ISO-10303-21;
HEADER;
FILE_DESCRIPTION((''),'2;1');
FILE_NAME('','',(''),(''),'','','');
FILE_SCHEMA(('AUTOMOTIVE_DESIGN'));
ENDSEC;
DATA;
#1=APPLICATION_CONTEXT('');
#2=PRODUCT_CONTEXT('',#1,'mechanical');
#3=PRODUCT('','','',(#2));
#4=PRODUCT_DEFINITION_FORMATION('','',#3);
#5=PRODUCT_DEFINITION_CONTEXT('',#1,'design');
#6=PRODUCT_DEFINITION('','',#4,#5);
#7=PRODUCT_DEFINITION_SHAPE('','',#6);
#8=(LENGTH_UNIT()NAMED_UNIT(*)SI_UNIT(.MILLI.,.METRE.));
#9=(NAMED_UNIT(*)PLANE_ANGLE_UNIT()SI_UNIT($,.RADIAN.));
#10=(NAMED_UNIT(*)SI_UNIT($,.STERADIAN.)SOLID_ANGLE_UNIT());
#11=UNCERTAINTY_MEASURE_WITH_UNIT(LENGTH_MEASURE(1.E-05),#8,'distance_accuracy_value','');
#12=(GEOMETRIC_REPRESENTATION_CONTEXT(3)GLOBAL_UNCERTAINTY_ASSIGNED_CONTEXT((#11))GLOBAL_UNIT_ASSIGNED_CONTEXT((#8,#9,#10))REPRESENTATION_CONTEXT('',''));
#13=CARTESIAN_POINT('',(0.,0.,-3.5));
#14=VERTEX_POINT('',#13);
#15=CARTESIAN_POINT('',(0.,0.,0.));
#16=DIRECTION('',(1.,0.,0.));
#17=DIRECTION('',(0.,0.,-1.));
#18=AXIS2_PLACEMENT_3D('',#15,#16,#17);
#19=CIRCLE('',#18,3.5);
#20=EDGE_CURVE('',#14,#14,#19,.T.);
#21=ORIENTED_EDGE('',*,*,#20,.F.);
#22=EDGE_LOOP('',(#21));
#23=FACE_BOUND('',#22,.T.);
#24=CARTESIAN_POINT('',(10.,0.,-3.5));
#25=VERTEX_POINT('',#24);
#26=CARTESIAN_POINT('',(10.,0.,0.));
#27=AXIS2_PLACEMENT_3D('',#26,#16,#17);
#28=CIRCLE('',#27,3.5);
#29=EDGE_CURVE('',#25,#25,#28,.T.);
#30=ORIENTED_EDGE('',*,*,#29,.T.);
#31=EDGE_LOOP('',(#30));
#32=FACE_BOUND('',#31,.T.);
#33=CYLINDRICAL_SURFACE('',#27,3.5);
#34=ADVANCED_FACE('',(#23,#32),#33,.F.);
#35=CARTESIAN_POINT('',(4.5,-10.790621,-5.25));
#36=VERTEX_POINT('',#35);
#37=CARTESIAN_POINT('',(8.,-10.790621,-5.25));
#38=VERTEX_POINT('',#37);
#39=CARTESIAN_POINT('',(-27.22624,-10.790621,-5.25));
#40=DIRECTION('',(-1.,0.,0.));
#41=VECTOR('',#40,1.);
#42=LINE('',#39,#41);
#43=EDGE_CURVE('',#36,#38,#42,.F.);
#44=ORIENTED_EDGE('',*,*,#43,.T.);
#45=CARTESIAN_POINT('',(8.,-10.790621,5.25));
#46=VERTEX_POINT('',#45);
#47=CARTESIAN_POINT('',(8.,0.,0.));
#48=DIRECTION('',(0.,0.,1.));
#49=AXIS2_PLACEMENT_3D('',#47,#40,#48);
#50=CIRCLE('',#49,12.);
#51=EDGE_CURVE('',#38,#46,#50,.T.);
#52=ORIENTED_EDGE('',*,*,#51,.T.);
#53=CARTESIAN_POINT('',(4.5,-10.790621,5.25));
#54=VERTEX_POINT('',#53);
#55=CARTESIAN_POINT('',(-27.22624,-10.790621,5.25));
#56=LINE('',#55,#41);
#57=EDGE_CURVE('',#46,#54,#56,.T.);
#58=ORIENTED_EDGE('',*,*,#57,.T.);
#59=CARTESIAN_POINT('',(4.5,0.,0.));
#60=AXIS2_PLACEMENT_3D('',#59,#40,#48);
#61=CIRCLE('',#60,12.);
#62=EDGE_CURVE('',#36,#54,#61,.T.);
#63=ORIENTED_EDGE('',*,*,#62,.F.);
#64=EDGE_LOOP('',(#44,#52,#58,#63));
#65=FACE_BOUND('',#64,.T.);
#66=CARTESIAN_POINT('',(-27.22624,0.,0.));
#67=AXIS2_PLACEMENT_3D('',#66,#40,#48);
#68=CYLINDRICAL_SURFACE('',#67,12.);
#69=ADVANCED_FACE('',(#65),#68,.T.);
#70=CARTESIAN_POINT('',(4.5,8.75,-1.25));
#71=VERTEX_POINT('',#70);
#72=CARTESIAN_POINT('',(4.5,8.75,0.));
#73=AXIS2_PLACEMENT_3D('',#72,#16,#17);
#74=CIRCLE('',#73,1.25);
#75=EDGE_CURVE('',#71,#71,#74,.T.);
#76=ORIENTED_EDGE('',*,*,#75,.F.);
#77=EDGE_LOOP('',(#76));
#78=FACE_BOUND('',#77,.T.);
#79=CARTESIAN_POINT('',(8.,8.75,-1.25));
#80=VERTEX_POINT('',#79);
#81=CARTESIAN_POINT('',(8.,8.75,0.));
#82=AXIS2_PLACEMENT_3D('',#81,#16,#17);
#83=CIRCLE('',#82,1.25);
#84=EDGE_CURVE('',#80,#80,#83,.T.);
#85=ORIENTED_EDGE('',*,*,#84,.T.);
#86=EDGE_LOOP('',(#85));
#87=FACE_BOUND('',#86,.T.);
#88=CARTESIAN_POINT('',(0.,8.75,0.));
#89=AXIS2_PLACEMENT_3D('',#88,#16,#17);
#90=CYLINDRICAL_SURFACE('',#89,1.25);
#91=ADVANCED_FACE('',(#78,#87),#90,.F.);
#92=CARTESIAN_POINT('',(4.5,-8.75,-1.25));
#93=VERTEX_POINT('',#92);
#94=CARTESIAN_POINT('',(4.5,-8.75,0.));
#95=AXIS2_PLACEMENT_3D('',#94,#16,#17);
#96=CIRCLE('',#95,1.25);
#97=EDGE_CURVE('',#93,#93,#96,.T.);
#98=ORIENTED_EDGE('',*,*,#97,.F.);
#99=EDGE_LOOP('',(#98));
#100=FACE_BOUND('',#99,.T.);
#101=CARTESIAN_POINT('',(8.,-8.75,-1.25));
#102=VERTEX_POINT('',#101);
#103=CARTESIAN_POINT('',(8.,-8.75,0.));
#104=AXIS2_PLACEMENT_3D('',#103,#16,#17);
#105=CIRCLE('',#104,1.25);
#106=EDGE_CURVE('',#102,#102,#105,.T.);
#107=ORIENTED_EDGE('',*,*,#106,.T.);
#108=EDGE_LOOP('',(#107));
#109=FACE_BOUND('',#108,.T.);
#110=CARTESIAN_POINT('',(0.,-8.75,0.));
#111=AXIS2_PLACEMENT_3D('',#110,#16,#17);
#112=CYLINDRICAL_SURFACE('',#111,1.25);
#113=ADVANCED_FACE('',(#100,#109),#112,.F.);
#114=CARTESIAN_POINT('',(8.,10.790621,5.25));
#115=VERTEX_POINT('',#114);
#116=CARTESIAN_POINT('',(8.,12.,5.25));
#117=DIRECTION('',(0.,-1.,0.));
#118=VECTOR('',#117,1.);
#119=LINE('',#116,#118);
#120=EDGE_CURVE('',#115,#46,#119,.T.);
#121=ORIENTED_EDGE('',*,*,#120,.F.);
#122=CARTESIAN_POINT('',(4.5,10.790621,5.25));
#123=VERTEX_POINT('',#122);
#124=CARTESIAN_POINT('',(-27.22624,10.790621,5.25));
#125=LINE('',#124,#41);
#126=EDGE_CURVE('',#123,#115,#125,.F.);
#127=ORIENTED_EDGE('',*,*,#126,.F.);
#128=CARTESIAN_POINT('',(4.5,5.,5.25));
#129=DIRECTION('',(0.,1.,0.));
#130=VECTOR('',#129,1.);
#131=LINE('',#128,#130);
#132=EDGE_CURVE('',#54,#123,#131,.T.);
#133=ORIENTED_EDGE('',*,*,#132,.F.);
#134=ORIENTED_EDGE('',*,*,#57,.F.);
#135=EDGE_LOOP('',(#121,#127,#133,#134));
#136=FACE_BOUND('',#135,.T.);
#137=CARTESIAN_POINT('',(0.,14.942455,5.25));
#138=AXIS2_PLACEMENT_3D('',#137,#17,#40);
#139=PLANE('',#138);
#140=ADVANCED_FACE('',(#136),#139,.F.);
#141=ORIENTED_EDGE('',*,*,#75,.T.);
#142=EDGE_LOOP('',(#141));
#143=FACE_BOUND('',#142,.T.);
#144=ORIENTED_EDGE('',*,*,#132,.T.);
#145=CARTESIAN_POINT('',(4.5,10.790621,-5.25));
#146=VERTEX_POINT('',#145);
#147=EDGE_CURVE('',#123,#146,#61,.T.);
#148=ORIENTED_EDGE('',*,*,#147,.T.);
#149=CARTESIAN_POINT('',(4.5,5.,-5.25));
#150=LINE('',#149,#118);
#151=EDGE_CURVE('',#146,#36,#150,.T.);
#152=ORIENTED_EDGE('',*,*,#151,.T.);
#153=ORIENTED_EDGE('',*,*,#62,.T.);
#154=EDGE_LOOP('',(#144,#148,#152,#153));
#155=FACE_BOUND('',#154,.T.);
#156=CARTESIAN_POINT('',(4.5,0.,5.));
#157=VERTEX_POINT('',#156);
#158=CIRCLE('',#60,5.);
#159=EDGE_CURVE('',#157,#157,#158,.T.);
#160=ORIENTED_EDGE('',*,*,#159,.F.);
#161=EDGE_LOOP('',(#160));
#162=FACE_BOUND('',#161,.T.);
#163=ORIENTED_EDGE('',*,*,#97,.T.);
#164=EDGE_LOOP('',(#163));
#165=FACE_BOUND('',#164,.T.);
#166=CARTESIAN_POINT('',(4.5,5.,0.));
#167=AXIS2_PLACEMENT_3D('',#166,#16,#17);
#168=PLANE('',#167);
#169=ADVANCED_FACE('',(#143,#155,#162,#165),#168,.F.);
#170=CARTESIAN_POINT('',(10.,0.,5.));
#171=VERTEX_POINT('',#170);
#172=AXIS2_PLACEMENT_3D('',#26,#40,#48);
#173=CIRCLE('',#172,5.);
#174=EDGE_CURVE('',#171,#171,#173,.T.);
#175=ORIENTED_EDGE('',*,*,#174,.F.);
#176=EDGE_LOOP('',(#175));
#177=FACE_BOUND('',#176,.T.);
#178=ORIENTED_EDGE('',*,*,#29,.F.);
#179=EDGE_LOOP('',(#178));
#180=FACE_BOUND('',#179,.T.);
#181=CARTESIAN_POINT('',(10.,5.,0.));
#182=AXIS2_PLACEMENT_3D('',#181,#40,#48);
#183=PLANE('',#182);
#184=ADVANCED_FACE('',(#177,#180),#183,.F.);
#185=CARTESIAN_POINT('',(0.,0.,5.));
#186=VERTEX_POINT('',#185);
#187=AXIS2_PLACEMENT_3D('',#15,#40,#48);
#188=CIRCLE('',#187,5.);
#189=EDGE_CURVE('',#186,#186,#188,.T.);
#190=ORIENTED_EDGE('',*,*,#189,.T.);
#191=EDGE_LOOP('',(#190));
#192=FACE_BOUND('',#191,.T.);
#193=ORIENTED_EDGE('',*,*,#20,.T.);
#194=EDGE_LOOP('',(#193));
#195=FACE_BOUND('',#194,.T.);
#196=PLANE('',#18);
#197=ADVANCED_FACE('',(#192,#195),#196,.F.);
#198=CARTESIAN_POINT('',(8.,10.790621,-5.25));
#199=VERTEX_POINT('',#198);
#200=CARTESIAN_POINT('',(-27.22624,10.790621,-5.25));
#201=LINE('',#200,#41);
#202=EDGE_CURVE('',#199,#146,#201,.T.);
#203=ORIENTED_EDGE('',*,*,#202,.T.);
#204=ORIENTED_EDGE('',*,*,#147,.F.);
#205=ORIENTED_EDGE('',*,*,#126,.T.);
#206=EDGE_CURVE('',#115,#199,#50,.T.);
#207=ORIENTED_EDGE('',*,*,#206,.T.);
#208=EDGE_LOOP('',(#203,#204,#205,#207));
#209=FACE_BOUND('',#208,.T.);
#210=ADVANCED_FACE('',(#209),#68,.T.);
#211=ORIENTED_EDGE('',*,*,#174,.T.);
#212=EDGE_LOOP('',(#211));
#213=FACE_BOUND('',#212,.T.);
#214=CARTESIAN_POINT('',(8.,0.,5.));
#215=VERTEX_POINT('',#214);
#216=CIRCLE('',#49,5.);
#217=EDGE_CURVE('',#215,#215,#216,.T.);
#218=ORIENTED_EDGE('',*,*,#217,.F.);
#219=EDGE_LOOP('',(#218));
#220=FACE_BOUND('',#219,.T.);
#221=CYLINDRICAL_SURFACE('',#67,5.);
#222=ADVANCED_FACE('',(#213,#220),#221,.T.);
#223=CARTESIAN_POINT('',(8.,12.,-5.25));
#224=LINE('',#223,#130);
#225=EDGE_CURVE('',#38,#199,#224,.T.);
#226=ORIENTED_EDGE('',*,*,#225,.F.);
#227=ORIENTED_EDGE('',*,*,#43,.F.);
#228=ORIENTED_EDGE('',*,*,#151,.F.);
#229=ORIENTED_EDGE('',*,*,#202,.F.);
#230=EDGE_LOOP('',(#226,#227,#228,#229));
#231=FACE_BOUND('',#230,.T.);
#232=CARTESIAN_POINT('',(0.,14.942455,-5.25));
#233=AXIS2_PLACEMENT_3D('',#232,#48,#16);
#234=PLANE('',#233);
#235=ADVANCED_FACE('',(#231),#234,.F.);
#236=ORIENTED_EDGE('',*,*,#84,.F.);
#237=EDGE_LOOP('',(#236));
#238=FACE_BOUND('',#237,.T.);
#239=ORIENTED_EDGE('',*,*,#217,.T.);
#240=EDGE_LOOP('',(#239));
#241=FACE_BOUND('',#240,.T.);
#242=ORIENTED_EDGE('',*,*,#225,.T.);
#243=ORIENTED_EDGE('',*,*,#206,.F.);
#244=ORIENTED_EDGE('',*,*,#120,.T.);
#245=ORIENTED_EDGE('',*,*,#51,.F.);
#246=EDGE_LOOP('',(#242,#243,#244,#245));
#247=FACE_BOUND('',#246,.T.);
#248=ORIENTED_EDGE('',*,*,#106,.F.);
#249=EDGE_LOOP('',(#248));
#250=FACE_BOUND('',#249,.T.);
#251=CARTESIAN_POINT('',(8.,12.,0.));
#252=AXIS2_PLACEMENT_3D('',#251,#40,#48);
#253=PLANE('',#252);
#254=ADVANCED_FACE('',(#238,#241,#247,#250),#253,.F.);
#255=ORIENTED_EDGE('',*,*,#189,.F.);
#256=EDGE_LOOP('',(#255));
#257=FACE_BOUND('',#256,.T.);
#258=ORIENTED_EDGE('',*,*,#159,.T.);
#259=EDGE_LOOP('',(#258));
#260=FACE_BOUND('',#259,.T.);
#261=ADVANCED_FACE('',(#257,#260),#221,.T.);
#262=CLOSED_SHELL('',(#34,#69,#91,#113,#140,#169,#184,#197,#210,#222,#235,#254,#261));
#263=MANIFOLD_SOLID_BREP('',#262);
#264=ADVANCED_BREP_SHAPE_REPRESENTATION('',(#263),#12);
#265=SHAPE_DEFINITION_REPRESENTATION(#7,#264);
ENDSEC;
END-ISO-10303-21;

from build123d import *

# Parameters (mm, degrees)
M8X1_0_TAPPED_HOLE1_D = 7
SKETCH6_R             = 1.25
SKETCH6_W             = 17.472275608
SKETCH6_H             = 29.884909838
SKETCH6_W_2           = 8.845933312
CUT_EXTRUDE1_DEPTH    = 3.5


with BuildPart() as part:
    # Sketch1 → Revolve1 (revolve)
    with BuildSketch(Plane.XY):
        Polygon((0, 0), (0, 5), (4.5, 5), (4.5, 12), (8, 12), (8, 5), (10, 5), (10, 0), align=None)
    revolve(axis=Axis((-27.226239534, 0, 0), (1, 0, 0)))

    # M8x1.0 Tapped Hole1 (through all)
    with Locations(Plane(origin=(10, 0, 0), x_dir=(0, 0, -1), z_dir=(1, 0, 0))):
        with Locations((0, 0)):
            Hole(M8X1_0_TAPPED_HOLE1_D / 2)

    # Sketch6 → Cut-Extrude1 (cut)
    with BuildSketch(Plane(origin=(8, 0, 0), x_dir=(0, 0, -1), z_dir=(1, 0, 0))):
        with Locations((0, 8.75)):
            Circle(SKETCH6_R)
        with Locations((0, -8.75)):
            Circle(SKETCH6_R)
        with Locations((13.986137804, 0)):
            Rectangle(SKETCH6_W, SKETCH6_H)
        with Locations((-9.672966656, 0)):
            Rectangle(SKETCH6_W_2, SKETCH6_H)
    extrude(amount=-CUT_EXTRUDE1_DEPTH, mode=Mode.SUBTRACT)


solid = part.part
